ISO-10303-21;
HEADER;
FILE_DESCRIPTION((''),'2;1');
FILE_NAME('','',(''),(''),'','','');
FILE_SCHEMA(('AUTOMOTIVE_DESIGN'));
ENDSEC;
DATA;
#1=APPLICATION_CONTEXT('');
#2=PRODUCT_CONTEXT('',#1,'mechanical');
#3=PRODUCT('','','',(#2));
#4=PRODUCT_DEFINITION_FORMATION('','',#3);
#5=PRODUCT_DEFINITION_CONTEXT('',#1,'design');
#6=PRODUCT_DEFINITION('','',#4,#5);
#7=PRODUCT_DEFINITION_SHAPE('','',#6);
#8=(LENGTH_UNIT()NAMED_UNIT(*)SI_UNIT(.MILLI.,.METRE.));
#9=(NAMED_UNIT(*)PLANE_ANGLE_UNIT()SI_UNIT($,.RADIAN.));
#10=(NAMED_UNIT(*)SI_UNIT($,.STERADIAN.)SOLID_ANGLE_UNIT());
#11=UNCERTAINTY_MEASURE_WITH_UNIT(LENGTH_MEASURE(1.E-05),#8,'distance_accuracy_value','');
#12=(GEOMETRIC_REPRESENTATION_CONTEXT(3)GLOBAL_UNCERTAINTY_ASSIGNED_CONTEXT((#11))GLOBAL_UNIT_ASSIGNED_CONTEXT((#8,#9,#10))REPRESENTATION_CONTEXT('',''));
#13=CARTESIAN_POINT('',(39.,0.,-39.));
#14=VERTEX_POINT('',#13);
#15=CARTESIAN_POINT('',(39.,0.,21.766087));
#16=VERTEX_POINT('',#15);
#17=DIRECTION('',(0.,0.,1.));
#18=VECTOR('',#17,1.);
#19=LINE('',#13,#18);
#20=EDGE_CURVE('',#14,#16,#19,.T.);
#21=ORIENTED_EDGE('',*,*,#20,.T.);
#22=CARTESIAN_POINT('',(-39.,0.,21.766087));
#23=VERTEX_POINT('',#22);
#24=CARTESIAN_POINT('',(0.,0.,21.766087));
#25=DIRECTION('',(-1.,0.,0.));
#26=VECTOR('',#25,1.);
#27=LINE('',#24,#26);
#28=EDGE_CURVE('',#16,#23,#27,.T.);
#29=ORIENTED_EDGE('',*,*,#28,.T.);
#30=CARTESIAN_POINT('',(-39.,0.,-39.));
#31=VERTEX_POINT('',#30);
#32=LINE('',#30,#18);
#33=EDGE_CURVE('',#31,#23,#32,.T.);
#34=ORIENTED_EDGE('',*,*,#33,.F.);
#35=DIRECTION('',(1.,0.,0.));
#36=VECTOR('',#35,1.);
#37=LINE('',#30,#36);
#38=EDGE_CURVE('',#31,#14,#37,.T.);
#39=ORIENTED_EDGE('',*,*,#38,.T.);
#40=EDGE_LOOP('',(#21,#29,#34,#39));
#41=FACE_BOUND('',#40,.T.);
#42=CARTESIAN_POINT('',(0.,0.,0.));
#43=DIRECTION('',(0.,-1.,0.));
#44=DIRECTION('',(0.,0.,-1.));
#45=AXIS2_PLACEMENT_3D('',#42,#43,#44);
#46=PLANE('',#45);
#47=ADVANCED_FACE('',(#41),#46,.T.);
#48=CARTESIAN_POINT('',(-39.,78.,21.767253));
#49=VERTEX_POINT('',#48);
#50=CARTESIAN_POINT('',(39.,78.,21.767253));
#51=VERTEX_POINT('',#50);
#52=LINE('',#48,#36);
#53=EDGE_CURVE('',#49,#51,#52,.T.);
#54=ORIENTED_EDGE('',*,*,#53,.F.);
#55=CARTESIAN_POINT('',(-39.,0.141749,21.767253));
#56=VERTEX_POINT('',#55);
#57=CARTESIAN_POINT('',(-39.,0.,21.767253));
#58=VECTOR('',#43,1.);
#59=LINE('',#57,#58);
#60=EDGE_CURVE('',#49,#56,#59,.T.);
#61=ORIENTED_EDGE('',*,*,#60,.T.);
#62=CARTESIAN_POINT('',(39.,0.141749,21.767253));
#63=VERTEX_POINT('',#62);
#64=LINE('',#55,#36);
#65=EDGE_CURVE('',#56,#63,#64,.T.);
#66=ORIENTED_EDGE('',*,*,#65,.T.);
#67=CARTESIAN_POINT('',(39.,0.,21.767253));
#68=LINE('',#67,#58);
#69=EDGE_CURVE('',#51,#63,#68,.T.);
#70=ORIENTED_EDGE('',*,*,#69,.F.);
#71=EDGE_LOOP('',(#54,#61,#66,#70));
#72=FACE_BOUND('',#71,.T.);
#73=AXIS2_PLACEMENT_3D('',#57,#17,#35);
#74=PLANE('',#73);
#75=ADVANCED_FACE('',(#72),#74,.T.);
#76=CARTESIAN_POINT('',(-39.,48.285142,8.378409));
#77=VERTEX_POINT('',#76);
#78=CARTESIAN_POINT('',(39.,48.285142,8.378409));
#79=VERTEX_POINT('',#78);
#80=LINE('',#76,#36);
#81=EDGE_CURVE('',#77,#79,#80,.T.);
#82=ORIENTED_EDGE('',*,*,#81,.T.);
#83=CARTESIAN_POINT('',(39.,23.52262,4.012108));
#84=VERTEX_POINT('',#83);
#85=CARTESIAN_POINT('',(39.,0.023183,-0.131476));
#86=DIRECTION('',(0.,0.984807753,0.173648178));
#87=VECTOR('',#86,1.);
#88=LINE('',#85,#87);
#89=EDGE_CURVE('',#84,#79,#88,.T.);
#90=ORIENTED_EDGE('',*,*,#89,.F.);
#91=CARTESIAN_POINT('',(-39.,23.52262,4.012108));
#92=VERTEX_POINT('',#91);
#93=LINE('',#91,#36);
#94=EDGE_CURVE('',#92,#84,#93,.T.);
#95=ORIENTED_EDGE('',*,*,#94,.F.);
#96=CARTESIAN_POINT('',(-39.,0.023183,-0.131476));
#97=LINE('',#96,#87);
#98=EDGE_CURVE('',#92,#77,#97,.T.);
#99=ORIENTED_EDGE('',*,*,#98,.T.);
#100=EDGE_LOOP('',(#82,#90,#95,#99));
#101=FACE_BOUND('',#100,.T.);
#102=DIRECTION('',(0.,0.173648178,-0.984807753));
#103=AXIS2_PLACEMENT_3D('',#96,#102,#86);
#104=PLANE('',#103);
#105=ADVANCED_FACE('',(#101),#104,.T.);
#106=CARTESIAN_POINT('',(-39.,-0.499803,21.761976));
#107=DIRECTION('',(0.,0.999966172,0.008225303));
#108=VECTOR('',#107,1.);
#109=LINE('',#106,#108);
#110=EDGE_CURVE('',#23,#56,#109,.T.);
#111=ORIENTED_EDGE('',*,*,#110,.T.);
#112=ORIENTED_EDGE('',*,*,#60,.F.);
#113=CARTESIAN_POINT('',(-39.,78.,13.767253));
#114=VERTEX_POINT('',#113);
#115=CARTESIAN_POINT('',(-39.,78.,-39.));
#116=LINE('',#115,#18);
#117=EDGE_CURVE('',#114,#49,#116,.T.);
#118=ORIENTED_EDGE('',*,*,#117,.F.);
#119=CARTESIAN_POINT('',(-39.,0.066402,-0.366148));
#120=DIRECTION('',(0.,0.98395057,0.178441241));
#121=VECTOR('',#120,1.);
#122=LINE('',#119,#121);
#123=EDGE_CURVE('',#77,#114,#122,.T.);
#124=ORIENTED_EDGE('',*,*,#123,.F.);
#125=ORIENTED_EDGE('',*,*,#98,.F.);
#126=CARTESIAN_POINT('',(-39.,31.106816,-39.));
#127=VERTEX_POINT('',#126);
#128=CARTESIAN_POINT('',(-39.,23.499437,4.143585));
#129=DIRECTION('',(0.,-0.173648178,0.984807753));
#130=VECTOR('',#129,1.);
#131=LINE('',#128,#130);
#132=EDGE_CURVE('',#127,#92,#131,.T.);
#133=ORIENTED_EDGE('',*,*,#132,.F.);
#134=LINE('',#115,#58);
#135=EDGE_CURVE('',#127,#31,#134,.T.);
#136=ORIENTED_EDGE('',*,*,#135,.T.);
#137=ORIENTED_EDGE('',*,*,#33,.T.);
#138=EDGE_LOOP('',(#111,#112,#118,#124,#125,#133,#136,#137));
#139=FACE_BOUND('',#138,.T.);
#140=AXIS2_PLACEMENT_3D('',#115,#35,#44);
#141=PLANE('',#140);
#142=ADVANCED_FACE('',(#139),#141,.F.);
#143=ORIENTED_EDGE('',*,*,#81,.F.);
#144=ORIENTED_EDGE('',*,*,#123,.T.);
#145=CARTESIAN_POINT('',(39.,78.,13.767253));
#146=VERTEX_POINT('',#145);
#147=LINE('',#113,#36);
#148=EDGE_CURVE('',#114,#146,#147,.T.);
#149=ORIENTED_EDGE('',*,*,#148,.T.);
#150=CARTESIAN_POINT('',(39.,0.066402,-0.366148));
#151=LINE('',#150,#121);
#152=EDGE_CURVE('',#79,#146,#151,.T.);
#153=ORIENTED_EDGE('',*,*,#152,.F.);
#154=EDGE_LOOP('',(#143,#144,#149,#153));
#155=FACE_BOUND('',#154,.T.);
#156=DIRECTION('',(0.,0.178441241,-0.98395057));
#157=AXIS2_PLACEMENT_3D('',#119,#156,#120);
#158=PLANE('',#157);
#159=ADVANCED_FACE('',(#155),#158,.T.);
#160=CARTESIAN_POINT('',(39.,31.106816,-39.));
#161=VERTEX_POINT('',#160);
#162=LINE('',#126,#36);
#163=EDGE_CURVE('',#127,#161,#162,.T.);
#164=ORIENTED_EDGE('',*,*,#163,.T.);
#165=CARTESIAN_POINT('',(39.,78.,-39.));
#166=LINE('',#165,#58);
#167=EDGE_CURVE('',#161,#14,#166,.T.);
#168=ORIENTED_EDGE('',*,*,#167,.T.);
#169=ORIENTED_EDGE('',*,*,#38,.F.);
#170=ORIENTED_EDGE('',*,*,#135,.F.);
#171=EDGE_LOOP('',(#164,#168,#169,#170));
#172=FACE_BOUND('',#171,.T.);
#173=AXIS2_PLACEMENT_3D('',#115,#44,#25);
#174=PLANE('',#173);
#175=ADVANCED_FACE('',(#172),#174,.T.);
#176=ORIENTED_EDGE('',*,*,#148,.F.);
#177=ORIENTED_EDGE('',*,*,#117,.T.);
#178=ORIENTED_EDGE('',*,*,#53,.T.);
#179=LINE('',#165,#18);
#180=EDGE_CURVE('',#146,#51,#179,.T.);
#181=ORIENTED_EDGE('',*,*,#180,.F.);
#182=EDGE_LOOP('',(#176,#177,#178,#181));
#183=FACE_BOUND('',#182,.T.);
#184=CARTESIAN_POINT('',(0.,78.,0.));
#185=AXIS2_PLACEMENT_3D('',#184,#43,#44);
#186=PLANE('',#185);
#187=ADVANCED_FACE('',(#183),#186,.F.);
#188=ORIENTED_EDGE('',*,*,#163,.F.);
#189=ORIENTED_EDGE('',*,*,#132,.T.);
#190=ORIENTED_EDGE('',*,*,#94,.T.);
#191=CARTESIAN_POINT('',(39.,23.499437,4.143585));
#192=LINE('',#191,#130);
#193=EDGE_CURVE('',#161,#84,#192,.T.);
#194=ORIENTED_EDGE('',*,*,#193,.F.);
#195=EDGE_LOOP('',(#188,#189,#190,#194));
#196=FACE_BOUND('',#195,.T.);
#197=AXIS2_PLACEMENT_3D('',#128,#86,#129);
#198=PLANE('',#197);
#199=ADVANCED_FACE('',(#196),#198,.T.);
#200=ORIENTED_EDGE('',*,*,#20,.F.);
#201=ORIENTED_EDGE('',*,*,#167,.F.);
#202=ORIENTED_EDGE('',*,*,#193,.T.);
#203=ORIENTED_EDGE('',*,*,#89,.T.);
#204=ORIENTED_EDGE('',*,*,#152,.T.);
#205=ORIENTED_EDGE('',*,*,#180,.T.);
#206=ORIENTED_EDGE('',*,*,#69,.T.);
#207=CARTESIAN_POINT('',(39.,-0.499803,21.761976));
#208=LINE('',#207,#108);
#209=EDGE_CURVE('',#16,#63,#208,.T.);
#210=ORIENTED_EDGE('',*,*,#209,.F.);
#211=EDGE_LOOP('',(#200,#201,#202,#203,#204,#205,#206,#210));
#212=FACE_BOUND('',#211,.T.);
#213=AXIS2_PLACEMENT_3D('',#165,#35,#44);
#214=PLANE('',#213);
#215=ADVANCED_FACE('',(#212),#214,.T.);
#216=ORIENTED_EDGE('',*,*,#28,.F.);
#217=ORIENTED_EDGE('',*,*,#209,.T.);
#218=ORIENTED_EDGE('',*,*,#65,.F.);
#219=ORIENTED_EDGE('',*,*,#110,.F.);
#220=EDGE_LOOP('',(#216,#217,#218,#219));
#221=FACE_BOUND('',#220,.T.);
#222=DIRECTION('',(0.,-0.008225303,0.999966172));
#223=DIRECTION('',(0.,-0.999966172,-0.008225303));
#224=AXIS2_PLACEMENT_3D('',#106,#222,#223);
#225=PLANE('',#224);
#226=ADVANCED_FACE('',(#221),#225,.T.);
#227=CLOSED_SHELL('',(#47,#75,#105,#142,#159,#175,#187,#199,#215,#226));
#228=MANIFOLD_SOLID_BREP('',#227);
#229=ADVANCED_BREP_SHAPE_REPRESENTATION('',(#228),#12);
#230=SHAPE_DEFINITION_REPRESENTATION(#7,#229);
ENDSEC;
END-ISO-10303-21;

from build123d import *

# Parameters (mm, degrees)
SKETCH1_W           = 78
SKETCH1_H           = 78
BOSS_EXTRUDE1_DEPTH = 78
CUT_EXTRUDE2_DEPTH  = 118
SKETCH3_W           = 78
SKETCH3_H           = 17.233329778
CUT_EXTRUDE3_DEPTH  = 96.269447677


with BuildPart() as part:
    # Sketch1 → Boss-Extrude1 (new body)
    with BuildSketch(Plane(origin=(0, 0, 0), x_dir=(1, 0, 0), z_dir=(0, 1, 0))):
        Rectangle(SKETCH1_W, SKETCH1_H)
    extrude(amount=BOSS_EXTRUDE1_DEPTH)

    # Sketch2 → Cut-Extrude2 (cut, through all)
    with BuildSketch(Plane(origin=(39, 0, 0), x_dir=(0, 0, -1), z_dir=(1, 0, 0))):
        Polygon((-21.767253197, 0.141749363), (-21.767253197, 78), (-39, 78), (-39, 0), align=None)
        Polygon((-4.012108483, 23.522620279), (39, 31.106815501), (39, 78), (-13.767253197, 78), (-8.378409218, 48.285142253), align=None)
    extrude(amount=-CUT_EXTRUDE2_DEPTH, mode=Mode.SUBTRACT)

    # Sketch3 → Cut-Extrude3 (cut, through all)
    with BuildSketch(Plane(origin=(0, 0.320775974, 0.002638569), x_dir=(1, 0, 0), z_dir=(0, 0.9999661716212329, 0.00822530322693927))):
        with Locations((0, -30.382015804)):
            Rectangle(SKETCH3_W, SKETCH3_H)
    extrude(amount=-CUT_EXTRUDE3_DEPTH, mode=Mode.SUBTRACT)


solid = part.part
